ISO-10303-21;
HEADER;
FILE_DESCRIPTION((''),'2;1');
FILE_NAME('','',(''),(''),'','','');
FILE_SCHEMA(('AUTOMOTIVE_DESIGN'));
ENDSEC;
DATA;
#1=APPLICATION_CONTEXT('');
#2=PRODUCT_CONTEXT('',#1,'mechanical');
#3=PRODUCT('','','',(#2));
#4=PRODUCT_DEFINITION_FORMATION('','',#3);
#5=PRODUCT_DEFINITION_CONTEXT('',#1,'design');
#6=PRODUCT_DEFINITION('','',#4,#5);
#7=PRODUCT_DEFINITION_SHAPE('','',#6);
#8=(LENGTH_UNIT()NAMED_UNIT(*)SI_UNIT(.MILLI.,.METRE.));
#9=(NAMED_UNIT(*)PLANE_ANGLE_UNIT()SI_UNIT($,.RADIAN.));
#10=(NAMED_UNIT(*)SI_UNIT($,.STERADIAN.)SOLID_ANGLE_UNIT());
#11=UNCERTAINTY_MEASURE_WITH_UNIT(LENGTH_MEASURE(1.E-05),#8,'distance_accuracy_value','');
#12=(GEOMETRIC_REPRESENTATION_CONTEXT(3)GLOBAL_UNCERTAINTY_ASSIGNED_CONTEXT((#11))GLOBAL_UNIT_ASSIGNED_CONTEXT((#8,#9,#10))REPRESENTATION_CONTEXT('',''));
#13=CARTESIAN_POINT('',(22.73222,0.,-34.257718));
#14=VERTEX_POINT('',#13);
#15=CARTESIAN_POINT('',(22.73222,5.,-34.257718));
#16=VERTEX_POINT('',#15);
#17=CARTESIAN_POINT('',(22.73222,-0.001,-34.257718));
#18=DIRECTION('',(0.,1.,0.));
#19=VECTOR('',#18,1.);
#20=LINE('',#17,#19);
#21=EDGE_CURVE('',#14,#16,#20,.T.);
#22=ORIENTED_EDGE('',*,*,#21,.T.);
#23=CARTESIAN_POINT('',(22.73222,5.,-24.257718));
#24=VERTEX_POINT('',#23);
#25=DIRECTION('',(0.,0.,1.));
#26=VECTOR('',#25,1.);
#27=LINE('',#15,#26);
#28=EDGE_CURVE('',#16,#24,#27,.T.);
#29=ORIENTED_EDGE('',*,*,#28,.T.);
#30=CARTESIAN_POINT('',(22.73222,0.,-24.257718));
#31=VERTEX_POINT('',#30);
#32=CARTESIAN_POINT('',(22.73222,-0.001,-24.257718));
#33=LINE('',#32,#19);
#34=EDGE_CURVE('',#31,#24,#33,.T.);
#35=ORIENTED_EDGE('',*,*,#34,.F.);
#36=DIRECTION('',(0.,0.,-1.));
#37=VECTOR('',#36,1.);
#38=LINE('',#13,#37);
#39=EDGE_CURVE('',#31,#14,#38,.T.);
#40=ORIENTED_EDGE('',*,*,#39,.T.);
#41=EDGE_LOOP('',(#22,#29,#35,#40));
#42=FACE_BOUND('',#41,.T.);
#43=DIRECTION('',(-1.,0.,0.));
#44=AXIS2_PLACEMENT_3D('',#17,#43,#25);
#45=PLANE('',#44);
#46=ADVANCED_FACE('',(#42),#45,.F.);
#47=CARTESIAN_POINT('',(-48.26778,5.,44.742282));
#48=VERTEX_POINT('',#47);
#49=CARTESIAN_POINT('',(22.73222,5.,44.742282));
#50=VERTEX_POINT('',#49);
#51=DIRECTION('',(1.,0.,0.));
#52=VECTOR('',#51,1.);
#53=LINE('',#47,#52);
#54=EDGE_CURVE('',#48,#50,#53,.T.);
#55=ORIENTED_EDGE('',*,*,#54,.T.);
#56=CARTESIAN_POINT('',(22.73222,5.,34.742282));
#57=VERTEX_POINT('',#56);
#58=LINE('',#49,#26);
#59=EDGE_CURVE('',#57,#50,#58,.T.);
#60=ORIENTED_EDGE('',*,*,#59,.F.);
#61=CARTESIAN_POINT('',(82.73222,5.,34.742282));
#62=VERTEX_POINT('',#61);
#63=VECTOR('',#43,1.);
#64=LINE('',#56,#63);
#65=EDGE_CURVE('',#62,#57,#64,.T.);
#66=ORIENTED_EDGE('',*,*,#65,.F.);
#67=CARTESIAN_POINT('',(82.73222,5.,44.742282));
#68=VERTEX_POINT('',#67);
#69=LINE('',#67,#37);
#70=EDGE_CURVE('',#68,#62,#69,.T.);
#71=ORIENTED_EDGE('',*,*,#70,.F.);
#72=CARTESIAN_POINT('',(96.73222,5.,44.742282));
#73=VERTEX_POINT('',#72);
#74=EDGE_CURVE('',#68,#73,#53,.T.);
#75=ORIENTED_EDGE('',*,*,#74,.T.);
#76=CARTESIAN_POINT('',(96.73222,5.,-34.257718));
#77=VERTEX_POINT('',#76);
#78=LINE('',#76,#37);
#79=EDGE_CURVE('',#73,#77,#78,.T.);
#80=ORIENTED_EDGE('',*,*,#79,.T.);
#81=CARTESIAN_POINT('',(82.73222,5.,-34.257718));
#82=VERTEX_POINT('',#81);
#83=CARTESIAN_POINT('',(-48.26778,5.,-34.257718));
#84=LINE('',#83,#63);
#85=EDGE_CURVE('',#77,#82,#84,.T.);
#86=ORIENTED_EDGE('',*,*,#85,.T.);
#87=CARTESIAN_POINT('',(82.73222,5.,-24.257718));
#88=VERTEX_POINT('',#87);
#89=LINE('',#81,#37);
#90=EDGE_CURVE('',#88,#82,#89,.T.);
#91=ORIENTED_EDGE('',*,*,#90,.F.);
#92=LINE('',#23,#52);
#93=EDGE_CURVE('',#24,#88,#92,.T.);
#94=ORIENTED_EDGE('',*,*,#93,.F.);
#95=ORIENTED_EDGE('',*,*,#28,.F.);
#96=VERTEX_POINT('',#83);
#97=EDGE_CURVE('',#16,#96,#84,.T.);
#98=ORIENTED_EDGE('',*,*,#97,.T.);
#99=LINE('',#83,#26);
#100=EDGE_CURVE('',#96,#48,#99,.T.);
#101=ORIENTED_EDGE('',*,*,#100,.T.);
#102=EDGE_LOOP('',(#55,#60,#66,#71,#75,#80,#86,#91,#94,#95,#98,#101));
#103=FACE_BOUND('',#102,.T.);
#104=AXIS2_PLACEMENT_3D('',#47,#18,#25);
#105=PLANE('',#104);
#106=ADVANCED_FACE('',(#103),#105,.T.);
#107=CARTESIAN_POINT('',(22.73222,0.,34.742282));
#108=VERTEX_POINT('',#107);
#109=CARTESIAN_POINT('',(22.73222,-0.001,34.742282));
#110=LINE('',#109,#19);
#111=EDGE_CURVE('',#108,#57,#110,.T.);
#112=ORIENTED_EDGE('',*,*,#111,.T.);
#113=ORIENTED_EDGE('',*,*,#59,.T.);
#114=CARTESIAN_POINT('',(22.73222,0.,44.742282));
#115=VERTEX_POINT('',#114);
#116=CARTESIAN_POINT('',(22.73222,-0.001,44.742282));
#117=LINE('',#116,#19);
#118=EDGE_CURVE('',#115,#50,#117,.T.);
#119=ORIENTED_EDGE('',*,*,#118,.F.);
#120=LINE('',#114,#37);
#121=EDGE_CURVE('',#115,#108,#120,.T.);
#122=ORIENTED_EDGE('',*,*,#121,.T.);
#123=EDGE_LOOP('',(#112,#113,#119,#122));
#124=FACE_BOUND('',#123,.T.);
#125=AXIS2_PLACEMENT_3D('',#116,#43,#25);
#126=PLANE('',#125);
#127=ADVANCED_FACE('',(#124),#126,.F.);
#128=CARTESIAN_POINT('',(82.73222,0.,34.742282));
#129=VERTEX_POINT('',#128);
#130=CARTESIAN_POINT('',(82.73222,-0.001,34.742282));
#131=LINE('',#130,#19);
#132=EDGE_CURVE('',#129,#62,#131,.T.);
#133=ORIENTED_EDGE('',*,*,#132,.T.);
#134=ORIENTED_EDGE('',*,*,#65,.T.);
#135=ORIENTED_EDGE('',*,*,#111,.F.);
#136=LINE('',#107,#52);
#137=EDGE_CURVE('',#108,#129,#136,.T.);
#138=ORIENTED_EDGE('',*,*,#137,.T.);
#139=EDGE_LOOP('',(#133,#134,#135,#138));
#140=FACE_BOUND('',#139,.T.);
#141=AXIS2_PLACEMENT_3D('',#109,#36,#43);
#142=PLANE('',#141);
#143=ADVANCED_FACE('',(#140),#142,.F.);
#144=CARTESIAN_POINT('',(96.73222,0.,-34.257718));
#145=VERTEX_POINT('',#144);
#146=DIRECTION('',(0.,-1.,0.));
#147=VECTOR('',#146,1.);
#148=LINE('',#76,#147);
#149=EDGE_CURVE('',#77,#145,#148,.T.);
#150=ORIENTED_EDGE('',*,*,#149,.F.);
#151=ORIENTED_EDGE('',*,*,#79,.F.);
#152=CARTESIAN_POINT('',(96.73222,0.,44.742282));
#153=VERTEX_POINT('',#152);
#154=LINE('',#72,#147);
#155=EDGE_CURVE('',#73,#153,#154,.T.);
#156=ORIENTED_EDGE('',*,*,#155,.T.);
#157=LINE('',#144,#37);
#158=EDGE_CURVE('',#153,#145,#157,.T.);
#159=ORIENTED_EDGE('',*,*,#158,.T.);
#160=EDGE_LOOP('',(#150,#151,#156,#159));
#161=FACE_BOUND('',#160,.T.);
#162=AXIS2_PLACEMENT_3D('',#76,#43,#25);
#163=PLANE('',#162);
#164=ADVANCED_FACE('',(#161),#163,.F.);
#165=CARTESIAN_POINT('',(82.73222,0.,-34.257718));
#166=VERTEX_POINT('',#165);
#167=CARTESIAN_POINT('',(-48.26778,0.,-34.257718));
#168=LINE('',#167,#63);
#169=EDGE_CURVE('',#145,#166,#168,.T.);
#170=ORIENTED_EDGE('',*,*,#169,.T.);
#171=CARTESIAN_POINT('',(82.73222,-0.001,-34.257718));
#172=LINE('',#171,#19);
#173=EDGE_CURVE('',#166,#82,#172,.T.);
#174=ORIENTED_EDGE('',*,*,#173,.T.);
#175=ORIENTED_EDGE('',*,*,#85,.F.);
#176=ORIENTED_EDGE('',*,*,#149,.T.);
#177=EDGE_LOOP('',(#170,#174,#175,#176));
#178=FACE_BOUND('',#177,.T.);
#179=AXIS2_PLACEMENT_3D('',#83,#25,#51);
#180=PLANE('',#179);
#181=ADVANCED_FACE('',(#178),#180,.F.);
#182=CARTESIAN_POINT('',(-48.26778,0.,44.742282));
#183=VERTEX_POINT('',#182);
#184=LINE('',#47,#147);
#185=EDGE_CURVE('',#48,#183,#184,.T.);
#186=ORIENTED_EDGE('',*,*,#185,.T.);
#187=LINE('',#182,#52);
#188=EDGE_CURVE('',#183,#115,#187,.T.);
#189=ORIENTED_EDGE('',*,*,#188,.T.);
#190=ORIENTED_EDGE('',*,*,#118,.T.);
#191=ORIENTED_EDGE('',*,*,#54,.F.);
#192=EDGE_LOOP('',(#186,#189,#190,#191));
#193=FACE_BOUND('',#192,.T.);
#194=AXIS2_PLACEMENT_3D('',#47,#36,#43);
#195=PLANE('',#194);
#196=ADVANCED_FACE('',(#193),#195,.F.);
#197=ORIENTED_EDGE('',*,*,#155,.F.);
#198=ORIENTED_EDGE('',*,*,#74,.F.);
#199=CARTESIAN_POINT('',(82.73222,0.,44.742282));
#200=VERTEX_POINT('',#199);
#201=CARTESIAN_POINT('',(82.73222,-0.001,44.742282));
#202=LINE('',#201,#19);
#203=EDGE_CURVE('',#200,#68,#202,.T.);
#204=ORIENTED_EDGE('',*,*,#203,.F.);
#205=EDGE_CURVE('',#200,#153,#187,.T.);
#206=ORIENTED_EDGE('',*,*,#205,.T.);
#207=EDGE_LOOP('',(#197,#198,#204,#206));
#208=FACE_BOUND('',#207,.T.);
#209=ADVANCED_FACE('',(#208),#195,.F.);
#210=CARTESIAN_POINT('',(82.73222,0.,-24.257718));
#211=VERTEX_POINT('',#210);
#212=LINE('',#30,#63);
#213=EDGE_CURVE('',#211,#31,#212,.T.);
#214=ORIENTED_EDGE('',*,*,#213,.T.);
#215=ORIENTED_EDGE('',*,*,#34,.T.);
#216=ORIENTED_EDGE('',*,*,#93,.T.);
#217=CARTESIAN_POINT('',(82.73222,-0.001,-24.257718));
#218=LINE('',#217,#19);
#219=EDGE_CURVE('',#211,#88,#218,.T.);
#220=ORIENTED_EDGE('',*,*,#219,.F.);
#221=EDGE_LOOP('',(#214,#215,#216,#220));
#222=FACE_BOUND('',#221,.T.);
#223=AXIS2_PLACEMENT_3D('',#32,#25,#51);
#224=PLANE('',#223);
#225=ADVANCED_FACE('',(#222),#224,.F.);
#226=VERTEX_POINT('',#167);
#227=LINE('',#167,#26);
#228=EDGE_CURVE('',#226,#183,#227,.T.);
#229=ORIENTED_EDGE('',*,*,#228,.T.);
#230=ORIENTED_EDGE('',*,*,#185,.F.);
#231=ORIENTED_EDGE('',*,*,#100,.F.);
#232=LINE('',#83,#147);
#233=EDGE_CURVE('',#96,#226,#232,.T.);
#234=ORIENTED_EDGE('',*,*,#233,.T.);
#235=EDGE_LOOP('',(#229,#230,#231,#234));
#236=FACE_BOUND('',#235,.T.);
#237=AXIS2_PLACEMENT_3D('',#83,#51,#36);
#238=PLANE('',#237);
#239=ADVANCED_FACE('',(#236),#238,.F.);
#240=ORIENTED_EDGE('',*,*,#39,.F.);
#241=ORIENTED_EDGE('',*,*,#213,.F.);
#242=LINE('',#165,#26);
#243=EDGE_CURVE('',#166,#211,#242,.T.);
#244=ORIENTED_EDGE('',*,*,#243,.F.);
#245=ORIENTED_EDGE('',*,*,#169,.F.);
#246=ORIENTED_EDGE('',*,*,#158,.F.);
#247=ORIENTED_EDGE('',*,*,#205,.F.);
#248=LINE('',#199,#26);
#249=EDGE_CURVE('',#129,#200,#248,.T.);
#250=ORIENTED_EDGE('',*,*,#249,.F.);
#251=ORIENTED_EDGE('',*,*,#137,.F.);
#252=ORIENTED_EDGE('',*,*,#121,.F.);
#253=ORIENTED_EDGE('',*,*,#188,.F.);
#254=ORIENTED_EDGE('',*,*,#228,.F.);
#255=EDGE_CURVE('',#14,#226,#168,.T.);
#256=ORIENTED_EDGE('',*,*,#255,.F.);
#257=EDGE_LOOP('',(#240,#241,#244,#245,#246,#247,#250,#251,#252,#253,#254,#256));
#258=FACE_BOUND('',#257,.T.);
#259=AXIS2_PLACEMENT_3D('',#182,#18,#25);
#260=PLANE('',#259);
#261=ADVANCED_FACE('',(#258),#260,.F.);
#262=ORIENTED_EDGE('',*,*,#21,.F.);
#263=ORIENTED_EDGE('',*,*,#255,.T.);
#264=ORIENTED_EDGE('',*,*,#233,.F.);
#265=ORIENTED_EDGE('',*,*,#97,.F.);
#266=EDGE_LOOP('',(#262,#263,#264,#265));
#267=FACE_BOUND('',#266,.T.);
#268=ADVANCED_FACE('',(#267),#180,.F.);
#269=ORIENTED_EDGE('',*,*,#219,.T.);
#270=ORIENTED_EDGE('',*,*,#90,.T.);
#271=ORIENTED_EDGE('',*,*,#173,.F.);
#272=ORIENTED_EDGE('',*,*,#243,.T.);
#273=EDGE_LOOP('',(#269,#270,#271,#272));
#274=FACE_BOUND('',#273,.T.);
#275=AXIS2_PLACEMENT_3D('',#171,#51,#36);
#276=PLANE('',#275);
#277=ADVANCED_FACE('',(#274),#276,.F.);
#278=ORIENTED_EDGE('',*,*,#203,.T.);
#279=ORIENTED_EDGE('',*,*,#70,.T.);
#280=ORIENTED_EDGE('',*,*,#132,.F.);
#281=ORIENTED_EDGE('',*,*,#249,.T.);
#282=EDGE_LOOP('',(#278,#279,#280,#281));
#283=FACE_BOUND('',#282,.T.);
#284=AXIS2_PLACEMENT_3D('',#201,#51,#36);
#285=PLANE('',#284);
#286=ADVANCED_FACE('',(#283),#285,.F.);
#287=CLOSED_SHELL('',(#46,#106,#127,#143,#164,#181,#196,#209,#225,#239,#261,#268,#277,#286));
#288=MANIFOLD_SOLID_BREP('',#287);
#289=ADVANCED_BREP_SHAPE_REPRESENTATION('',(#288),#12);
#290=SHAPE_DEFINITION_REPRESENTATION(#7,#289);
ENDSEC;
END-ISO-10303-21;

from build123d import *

# Parameters (mm, degrees)
ESQUISSE1_W      = 145
ESQUISSE1_H      = 79
EXTRUSION1_DEPTH = 5
EXTRUSION2_REACH = 108.696
ESQUISSE2_W      = 60
ESQUISSE2_H      = 10


with BuildPart() as part:
    # Esquisse1 → Extrusion1 (new body)
    with BuildSketch(Plane(origin=(0, 0, 0), x_dir=(1, 0, 0), z_dir=(0, 1, 0))):
        with Locations((24.232219602, -5.242282495)):
            Rectangle(ESQUISSE1_W, ESQUISSE1_H)
    extrude(amount=EXTRUSION1_DEPTH)

    # Esquisse2 → Extrusion2 (cut, up to next)
    with BuildSketch(Plane(origin=(0, 5, 0), x_dir=(1, 0, 0), z_dir=(0, 1, 0)), mode=Mode.PRIVATE) as extrusion2_sk1:
        with Locations((52.732219602, 29.257717505)):
            Rectangle(ESQUISSE2_W, ESQUISSE2_H)
    extrusion2_tool1 = extrude(extrusion2_sk1.sketch, amount=-EXTRUSION2_REACH, mode=Mode.PRIVATE) & part.part
    # Esquisse2 → Extrusion2 (cut, up to next)
    with BuildSketch(Plane(origin=(0, 5, 0), x_dir=(1, 0, 0), z_dir=(0, 1, 0)), mode=Mode.PRIVATE) as extrusion2_sk2:
        with Locations((52.732219602, -39.742282495)):
            Rectangle(ESQUISSE2_W, ESQUISSE2_H)
    extrusion2_tool2 = extrude(extrusion2_sk2.sketch, amount=-EXTRUSION2_REACH, mode=Mode.PRIVATE) & part.part
    add(extrusion2_tool1.solids().sort_by_distance((52.73222, 5, -29.257718))[0], mode=Mode.SUBTRACT)
    add(extrusion2_tool2.solids().sort_by_distance((52.73222, 5, 39.742282))[0], mode=Mode.SUBTRACT)


solid = part.part
